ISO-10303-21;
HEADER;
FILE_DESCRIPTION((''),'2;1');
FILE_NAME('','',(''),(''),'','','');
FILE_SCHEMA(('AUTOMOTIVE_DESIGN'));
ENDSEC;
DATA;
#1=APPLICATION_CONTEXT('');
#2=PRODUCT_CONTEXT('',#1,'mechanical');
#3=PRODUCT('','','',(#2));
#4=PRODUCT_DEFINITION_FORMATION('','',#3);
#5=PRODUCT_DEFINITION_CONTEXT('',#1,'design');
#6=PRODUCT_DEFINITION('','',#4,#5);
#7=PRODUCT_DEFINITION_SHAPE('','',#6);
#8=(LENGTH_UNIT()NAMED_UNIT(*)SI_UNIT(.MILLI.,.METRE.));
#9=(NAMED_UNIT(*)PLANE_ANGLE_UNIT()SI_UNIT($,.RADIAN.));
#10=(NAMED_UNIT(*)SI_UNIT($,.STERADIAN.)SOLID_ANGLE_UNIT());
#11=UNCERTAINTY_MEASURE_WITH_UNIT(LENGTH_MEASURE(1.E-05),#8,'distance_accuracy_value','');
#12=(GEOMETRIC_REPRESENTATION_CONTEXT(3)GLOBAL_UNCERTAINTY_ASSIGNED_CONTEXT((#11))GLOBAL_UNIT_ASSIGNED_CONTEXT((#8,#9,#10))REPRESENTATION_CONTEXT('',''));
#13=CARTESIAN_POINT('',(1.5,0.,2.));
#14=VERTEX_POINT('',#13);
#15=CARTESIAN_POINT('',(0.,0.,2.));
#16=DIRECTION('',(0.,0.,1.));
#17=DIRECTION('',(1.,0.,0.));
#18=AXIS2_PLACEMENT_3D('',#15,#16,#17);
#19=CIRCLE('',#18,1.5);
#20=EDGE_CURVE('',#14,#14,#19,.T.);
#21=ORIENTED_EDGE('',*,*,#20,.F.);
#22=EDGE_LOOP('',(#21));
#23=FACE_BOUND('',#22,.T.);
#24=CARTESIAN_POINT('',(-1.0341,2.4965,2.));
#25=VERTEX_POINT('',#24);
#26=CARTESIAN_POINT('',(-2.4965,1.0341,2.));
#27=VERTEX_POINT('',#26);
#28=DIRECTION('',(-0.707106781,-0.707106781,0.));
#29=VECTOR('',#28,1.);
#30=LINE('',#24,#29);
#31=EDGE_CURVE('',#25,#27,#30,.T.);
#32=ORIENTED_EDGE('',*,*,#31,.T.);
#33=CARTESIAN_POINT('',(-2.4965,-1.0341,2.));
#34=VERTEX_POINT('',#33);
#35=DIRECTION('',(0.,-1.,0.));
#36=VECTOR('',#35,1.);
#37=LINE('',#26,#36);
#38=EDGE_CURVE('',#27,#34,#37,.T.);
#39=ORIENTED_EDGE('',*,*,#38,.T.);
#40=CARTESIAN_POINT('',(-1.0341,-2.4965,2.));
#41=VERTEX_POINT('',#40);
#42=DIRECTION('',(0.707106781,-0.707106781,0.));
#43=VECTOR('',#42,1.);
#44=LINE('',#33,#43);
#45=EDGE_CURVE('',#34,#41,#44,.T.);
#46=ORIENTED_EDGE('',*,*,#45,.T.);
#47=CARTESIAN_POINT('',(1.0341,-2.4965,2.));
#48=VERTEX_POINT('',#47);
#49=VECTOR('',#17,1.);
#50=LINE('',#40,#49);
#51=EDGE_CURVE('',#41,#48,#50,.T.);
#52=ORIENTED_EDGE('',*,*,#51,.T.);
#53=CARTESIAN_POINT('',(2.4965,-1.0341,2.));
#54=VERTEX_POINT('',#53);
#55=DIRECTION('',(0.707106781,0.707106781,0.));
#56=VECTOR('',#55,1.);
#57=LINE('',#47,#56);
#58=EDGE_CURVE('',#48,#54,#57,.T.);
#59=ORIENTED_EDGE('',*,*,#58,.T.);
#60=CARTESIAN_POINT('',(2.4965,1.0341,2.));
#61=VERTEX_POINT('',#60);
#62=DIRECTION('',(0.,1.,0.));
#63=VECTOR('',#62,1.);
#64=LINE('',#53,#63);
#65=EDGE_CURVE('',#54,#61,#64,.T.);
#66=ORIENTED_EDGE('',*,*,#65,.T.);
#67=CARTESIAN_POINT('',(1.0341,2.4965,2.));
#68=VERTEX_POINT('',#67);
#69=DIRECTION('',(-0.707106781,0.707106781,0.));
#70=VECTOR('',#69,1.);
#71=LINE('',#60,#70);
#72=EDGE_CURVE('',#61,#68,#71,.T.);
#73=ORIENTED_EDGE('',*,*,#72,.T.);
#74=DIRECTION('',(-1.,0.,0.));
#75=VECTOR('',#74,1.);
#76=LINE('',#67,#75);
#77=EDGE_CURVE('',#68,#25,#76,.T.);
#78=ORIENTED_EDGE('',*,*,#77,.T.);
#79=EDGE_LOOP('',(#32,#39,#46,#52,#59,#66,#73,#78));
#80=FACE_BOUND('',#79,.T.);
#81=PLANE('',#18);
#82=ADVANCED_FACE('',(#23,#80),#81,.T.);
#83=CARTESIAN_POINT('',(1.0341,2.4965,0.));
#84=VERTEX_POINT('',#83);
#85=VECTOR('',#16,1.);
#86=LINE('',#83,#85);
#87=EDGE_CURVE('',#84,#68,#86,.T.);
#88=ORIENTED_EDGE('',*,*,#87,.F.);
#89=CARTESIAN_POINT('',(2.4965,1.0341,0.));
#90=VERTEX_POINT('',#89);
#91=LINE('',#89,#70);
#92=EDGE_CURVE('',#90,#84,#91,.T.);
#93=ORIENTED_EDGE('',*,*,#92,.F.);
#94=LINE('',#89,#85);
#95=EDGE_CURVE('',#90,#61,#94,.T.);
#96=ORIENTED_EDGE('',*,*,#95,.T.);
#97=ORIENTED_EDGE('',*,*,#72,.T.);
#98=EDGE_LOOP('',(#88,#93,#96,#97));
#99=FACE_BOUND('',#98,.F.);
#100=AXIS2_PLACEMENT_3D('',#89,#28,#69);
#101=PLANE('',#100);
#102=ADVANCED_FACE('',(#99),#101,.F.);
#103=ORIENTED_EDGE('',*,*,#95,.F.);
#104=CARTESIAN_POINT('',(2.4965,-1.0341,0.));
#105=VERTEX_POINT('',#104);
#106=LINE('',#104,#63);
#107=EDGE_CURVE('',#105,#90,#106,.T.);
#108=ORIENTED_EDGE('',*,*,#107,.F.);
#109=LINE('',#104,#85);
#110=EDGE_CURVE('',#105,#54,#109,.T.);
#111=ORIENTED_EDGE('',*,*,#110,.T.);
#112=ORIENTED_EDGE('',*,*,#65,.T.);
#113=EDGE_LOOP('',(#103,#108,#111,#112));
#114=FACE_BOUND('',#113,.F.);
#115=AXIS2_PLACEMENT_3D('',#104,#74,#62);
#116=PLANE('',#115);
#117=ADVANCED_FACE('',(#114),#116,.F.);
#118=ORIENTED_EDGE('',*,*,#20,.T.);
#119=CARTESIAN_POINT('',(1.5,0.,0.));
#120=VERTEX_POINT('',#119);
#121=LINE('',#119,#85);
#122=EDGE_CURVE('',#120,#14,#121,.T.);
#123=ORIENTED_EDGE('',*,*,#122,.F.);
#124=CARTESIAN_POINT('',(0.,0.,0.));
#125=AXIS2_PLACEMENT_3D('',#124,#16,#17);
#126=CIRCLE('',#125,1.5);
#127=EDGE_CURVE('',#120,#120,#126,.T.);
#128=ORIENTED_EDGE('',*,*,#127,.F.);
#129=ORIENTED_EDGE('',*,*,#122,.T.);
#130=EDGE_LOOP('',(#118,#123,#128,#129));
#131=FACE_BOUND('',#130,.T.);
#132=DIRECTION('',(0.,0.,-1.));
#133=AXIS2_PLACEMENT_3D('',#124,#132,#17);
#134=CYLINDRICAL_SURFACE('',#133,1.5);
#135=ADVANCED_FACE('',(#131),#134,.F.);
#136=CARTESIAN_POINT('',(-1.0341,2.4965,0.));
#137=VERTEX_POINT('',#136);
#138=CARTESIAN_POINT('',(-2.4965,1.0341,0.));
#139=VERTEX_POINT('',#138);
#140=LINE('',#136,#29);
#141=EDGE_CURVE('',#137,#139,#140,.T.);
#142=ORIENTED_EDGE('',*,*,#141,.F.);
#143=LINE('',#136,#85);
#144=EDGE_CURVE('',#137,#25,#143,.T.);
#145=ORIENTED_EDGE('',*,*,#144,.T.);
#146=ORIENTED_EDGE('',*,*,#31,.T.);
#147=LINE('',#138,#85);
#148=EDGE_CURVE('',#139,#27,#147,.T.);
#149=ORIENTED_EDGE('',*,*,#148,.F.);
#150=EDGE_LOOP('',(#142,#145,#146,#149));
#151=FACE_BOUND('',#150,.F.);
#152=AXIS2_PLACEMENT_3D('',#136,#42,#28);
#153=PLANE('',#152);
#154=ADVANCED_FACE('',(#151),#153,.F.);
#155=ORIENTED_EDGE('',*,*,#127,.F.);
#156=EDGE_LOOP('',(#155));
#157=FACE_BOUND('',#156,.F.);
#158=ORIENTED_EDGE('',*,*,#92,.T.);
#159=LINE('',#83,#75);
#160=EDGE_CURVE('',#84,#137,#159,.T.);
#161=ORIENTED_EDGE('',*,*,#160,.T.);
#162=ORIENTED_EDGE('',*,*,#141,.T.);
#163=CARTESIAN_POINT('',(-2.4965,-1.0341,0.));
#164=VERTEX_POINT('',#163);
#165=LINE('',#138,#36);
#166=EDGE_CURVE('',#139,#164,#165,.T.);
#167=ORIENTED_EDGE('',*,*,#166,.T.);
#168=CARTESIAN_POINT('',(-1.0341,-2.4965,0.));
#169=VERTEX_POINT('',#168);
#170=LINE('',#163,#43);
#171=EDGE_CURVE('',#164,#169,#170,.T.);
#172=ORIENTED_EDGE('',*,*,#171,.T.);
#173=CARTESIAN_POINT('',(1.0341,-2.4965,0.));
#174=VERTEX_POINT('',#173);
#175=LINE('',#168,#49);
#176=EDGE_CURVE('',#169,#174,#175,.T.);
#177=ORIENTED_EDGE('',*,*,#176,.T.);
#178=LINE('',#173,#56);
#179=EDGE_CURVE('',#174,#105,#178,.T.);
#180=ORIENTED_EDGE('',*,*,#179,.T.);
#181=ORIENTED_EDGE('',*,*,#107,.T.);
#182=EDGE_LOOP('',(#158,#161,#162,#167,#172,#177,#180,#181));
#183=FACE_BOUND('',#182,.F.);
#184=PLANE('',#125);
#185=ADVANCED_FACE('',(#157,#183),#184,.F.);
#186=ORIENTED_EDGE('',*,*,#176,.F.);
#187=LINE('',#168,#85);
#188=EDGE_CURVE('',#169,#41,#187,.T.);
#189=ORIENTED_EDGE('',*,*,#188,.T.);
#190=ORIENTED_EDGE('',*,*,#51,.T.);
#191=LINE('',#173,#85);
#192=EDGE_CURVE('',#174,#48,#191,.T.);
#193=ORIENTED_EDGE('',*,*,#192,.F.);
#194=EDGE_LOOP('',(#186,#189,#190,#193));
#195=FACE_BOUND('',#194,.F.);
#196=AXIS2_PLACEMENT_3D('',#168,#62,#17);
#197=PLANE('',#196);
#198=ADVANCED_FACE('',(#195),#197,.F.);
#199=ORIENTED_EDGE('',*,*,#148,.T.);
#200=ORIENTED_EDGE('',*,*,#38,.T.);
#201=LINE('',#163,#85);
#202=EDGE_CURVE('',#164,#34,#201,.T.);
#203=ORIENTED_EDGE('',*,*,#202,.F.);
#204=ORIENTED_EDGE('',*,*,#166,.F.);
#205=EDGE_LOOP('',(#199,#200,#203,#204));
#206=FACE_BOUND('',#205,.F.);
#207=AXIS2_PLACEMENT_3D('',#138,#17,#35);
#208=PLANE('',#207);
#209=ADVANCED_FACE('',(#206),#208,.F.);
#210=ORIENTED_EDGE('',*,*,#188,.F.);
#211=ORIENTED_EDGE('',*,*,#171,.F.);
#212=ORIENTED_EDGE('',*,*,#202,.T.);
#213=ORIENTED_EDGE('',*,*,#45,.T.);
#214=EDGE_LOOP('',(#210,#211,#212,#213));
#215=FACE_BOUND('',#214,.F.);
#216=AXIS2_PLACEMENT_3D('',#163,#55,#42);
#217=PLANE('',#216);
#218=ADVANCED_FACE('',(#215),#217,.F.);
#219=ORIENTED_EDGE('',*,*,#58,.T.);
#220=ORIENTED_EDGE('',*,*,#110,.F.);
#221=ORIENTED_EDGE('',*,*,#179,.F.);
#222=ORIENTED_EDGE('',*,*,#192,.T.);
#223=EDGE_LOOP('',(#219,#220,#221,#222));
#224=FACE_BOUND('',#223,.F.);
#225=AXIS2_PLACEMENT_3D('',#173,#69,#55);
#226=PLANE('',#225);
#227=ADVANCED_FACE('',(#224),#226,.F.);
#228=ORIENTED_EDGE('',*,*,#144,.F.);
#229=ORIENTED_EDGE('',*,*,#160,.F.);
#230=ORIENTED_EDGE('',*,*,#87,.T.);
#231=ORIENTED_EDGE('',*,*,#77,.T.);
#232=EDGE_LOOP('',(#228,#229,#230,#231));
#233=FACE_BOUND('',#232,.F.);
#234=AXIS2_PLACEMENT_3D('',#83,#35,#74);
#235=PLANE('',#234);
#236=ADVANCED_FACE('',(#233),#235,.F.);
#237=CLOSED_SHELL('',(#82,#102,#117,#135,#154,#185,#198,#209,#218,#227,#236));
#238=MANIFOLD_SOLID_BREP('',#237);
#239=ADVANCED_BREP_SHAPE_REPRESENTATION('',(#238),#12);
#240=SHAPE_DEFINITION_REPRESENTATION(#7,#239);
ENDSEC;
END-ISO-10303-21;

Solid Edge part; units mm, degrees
sketch "Sketch1" plane through (0, 0, 0) normal (0, 0, 1) x (1, 0, 0)
  circle A0 centre (0, 0) radius 1.5
  line L0 (-1.0341, 2.4965) -> (-2.4965, 1.0341)
  line L1 (-2.4965, 1.0341) -> (-2.4965, -1.0341)
  line L2 (-2.4965, -1.0341) -> (-1.0341, -2.4965)
  line L3 (-1.0341, -2.4965) -> (1.0341, -2.4965)
  line L4 (1.0341, -2.4965) -> (2.4965, -1.0341)
  line L5 (2.4965, -1.0341) -> (2.4965, 1.0341)
  line L6 (2.4965, 1.0341) -> (1.0341, 2.4965)
  line L7 (1.0341, 2.4965) -> (-1.0341, 2.4965)
extrude "Protrusion1" add sketch "Sketch1" along normal blind 2
properties material "Steel"
